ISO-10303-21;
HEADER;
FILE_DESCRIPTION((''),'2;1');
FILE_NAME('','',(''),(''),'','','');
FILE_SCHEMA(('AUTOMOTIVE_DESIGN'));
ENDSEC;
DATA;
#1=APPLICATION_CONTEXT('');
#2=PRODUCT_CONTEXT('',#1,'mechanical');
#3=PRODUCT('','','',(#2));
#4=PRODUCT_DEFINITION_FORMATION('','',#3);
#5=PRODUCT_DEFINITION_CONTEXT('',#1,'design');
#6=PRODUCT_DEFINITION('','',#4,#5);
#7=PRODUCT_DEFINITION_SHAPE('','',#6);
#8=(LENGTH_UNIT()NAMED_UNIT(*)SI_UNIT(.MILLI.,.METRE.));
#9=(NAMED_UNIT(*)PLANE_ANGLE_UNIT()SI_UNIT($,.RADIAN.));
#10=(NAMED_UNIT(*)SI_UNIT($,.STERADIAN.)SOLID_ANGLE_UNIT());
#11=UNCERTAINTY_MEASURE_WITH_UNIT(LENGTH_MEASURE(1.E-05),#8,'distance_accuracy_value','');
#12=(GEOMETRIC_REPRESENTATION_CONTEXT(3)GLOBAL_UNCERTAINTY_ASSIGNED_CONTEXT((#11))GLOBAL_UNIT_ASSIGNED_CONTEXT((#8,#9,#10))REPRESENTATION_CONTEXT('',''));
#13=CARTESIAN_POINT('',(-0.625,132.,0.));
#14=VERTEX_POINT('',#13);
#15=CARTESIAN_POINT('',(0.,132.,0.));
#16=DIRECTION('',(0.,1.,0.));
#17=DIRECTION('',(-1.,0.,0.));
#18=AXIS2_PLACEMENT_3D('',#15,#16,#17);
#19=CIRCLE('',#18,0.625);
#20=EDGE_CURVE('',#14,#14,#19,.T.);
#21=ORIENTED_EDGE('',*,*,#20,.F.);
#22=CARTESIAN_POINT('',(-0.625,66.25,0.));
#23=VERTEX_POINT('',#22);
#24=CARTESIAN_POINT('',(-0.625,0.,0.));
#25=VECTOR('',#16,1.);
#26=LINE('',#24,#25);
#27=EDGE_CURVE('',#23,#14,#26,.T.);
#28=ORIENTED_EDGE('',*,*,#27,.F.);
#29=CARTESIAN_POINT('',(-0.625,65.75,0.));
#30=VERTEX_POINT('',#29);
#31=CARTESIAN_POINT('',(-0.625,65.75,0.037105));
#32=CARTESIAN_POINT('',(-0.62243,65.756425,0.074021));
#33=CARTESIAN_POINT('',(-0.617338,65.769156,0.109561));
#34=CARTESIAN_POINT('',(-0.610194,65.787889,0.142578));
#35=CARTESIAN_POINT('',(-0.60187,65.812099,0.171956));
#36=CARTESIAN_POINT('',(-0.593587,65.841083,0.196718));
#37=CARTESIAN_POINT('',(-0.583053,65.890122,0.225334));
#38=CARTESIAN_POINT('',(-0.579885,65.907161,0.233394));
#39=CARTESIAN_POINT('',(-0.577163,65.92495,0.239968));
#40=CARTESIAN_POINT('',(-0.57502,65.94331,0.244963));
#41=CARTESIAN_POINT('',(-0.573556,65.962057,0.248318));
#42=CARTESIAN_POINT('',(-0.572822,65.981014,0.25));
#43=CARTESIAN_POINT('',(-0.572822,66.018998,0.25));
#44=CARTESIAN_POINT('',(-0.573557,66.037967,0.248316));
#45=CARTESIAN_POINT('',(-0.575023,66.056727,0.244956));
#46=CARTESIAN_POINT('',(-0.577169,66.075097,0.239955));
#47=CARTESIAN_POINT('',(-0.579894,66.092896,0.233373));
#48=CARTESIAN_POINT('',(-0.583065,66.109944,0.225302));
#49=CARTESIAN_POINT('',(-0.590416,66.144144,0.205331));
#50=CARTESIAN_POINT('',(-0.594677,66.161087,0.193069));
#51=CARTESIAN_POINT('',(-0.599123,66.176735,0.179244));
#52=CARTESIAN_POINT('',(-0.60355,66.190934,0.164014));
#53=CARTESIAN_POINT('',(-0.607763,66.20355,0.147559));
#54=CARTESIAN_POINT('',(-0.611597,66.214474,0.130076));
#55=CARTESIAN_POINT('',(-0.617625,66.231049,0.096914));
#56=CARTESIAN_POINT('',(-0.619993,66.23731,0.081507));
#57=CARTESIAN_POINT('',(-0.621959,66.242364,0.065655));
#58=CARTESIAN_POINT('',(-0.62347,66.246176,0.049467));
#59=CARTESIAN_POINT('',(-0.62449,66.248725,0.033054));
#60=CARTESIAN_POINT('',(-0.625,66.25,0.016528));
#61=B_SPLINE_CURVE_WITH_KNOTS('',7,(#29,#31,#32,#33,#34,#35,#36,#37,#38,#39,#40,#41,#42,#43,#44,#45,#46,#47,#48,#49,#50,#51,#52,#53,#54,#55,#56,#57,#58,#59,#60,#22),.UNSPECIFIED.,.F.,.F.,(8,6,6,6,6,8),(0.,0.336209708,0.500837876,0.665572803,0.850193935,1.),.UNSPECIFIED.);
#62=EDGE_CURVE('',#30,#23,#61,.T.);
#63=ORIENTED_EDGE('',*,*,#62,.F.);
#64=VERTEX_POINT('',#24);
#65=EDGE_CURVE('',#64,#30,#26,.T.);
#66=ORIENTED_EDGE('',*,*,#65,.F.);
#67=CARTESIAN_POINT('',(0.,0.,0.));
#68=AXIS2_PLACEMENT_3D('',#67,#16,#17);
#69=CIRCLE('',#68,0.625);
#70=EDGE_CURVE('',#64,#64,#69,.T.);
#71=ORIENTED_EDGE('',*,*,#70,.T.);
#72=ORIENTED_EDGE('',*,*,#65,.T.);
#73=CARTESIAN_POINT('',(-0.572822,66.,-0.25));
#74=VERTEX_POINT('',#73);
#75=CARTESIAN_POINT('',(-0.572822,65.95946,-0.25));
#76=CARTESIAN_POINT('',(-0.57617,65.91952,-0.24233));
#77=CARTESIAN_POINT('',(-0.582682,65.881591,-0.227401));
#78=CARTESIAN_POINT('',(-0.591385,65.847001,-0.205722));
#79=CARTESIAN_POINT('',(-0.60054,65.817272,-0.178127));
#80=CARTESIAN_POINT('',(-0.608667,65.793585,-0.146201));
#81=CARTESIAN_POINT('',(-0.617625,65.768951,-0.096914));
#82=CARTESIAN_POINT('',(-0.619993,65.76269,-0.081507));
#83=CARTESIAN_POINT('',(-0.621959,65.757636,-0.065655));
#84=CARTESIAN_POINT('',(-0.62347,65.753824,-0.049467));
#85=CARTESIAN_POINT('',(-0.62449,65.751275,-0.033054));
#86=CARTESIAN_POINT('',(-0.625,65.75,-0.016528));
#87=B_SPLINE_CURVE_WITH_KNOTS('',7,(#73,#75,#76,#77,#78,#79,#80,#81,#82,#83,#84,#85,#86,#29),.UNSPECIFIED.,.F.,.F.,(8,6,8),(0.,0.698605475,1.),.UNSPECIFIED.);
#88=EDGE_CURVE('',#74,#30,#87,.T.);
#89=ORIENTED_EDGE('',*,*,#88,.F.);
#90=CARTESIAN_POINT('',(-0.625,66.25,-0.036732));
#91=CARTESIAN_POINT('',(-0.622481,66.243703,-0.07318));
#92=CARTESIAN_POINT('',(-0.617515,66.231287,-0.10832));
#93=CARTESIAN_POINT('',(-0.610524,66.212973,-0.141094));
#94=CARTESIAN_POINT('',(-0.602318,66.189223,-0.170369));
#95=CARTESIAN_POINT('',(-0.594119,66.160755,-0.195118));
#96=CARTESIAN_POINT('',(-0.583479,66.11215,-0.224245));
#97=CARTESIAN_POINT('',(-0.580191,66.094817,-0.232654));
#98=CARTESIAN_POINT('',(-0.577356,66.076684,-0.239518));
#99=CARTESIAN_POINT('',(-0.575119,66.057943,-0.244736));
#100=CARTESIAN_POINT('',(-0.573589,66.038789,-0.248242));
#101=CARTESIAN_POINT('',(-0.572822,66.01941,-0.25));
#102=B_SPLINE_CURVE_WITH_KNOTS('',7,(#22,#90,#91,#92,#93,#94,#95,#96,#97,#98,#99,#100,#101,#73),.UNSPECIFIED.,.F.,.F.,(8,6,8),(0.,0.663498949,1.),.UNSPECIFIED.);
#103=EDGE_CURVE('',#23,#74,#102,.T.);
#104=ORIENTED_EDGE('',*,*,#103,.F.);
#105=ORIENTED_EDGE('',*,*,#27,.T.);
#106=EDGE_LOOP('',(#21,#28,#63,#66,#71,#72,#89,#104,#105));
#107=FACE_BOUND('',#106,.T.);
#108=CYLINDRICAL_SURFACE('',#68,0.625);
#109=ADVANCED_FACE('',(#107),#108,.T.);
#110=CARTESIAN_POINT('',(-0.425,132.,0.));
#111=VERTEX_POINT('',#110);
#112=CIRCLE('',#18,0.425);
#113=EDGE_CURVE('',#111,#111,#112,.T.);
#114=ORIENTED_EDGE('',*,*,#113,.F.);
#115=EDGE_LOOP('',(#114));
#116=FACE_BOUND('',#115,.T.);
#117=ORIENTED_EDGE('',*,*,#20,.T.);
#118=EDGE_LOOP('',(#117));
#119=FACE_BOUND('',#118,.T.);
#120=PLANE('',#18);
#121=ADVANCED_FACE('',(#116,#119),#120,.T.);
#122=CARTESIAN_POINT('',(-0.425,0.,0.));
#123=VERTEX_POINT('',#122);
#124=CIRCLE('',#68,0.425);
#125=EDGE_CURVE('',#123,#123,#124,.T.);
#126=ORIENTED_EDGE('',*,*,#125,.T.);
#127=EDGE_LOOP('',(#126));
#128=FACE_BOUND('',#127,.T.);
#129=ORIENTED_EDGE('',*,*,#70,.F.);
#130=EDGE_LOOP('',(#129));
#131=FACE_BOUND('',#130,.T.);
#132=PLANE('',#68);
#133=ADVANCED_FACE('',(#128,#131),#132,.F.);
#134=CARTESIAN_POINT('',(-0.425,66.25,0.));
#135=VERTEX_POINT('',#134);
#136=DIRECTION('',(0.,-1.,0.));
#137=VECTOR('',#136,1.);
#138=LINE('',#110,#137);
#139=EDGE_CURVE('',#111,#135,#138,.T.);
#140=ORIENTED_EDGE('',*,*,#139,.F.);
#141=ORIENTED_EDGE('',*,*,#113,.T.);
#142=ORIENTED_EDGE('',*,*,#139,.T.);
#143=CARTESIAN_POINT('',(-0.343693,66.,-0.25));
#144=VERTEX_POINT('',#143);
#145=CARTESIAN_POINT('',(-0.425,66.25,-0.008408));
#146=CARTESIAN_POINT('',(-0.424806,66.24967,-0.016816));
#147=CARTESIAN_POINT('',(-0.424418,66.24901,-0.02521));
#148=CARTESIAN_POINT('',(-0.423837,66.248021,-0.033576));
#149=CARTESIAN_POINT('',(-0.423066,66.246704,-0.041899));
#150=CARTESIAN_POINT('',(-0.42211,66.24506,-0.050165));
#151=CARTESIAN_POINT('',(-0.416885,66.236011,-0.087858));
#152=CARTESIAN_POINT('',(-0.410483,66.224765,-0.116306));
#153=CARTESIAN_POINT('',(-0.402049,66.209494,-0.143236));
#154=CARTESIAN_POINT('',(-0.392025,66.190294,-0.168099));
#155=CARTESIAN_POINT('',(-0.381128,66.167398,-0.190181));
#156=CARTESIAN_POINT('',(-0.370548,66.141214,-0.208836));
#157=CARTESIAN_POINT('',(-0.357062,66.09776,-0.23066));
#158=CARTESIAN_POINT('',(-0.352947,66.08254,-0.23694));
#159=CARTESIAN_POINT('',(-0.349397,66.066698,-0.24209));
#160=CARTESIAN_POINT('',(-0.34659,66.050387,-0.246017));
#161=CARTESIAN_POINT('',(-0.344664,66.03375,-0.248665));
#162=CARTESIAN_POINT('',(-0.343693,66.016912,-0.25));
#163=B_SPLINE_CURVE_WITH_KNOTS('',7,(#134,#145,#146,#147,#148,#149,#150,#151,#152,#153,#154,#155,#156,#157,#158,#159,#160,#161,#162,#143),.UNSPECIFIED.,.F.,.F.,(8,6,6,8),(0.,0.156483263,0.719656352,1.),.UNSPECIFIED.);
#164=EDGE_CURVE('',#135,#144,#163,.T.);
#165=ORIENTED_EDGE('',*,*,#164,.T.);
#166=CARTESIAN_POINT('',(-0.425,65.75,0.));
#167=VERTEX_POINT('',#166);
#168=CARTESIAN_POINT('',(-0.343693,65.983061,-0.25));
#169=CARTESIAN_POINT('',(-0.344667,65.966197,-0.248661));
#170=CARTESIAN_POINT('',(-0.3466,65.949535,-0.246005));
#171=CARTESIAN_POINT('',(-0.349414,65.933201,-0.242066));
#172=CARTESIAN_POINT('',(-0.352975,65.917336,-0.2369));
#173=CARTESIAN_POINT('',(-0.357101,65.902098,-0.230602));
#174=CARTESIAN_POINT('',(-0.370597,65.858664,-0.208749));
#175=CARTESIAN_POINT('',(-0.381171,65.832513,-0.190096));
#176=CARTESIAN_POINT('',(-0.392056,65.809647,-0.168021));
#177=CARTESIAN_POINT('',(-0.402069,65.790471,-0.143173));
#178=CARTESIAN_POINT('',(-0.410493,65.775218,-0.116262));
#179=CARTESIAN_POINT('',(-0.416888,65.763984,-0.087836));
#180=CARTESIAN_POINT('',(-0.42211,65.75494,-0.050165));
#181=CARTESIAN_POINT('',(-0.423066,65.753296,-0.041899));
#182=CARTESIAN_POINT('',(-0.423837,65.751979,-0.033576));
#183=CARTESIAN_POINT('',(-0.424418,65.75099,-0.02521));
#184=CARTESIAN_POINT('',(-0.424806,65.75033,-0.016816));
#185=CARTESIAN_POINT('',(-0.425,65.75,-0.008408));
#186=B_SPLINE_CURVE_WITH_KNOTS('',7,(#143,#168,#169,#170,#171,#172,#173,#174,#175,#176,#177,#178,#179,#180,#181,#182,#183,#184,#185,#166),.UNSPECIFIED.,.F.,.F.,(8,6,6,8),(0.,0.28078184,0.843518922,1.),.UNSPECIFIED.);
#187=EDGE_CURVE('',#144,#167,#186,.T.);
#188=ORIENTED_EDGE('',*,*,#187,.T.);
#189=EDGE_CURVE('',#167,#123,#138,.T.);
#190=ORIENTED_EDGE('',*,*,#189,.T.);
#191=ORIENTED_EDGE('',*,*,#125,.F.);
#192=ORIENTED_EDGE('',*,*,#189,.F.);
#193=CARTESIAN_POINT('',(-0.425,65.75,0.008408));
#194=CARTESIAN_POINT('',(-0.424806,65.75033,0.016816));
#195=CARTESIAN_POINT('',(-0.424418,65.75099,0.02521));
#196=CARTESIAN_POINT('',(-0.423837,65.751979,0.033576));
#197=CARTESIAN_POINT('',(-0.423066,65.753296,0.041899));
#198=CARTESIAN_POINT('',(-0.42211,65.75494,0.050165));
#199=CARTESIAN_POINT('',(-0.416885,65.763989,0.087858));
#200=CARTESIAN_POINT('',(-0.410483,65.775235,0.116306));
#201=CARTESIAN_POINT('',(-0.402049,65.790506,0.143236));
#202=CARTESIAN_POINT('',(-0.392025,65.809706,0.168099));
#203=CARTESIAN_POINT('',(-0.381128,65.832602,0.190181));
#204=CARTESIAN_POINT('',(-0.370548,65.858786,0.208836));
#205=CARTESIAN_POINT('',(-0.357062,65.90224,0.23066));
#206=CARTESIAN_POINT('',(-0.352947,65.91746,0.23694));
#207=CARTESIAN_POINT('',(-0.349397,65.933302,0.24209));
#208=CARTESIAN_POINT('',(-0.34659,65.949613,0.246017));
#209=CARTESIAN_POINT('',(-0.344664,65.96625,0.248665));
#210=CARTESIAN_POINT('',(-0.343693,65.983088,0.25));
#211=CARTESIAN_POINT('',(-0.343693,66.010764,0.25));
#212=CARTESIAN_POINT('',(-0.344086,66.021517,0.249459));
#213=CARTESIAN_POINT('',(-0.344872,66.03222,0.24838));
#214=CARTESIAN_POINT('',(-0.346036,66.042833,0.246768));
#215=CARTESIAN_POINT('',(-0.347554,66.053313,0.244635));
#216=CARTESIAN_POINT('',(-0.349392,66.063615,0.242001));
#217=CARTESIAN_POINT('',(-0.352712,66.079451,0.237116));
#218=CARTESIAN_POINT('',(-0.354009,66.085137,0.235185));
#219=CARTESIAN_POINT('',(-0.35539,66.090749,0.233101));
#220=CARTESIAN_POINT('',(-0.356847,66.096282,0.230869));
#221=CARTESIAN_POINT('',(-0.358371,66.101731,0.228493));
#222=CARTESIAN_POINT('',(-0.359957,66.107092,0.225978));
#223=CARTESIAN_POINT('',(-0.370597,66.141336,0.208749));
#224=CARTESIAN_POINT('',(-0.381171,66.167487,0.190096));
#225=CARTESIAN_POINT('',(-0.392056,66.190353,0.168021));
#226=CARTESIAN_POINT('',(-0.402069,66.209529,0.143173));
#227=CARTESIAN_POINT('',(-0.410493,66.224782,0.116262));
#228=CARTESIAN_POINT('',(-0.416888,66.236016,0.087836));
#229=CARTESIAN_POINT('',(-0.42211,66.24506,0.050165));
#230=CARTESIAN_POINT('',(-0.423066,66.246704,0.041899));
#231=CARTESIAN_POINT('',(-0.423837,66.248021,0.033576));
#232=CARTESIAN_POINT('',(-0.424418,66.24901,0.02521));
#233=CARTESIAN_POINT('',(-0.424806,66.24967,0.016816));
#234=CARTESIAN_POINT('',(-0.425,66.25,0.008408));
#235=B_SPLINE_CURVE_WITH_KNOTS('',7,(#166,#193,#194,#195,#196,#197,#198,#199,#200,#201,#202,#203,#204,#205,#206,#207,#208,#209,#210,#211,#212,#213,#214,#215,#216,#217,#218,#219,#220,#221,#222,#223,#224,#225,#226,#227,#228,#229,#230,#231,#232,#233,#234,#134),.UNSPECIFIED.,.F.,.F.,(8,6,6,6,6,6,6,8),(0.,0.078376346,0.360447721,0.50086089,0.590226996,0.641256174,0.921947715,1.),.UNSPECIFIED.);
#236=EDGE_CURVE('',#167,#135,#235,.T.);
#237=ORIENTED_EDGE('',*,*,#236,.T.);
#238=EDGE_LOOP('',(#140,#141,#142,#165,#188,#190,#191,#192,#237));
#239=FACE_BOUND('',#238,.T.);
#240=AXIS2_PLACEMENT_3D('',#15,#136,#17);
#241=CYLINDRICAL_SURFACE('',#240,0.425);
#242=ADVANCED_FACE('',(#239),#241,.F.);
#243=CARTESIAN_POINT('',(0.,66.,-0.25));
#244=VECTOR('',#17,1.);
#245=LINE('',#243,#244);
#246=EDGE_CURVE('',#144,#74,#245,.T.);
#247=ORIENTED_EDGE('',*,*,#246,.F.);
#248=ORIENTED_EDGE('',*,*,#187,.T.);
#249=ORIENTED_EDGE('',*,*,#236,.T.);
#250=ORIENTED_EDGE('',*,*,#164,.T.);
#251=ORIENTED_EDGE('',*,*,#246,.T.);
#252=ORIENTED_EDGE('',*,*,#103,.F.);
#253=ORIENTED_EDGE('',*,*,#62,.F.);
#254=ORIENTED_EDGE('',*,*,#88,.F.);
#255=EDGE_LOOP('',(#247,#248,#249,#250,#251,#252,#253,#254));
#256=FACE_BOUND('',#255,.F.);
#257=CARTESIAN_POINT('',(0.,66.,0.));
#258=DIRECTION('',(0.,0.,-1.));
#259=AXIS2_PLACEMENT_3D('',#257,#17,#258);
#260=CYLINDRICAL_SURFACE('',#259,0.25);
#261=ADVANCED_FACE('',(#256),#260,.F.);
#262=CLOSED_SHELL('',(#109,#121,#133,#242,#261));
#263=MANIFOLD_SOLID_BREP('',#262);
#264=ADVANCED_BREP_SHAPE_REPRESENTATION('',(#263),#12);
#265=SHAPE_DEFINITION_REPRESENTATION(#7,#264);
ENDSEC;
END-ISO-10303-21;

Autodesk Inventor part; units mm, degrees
ref_plane "YZ Plane" through (0, 0, 0) normal (1, 0, 0) x (0, 1, 0)
ref_plane "XZ Plane" through (0, 0, 0) normal (0, 1, 0) x (-1, 0, 0)
ref_plane "XY Plane" through (0, 0, 0) normal (0, 0, 1) x (1, 0, 0)
sketch "Sketch1" plane through (0, 0, 0) normal (0, 0, 1) x (1, 0, 0)
  line L0 (-0.425, 0) -> (-0.625, 0)
  line L1 (-0.625, 0) -> (-0.625, 132)
  line L2 (-0.625, 132) -> (-0.425, 132)
  line L3 (-0.425, 132) -> (-0.425, 0)
  line L4 (0, -26.4) -> (0, 158.4) projected
  point P0 (0, 0)
  dimension "d1" = 0.625
  dimension "d2" = 0.2
  dimension "d3" = 132
revolve "Revolution1" add sketch "Sketch1" angle 360 about axis through (0, -10, 0) along (0, 1, 0)
sketch "Sketch2" plane through (0, 0, 0) normal (1, 0, 0) x (0, 1, 0)
  point P0 (0, 0)
  point P1 (66, 0)
  dimension "d5" = 66
hole "Hole1" at (0, 66, 0) direction (-1, 0, 0) diameter 0.5 end through all
equation "\"d5\" = 0.5 * d3"
properties part number "TorsOsc-2025-Rod" material "Copper, Alloy"
